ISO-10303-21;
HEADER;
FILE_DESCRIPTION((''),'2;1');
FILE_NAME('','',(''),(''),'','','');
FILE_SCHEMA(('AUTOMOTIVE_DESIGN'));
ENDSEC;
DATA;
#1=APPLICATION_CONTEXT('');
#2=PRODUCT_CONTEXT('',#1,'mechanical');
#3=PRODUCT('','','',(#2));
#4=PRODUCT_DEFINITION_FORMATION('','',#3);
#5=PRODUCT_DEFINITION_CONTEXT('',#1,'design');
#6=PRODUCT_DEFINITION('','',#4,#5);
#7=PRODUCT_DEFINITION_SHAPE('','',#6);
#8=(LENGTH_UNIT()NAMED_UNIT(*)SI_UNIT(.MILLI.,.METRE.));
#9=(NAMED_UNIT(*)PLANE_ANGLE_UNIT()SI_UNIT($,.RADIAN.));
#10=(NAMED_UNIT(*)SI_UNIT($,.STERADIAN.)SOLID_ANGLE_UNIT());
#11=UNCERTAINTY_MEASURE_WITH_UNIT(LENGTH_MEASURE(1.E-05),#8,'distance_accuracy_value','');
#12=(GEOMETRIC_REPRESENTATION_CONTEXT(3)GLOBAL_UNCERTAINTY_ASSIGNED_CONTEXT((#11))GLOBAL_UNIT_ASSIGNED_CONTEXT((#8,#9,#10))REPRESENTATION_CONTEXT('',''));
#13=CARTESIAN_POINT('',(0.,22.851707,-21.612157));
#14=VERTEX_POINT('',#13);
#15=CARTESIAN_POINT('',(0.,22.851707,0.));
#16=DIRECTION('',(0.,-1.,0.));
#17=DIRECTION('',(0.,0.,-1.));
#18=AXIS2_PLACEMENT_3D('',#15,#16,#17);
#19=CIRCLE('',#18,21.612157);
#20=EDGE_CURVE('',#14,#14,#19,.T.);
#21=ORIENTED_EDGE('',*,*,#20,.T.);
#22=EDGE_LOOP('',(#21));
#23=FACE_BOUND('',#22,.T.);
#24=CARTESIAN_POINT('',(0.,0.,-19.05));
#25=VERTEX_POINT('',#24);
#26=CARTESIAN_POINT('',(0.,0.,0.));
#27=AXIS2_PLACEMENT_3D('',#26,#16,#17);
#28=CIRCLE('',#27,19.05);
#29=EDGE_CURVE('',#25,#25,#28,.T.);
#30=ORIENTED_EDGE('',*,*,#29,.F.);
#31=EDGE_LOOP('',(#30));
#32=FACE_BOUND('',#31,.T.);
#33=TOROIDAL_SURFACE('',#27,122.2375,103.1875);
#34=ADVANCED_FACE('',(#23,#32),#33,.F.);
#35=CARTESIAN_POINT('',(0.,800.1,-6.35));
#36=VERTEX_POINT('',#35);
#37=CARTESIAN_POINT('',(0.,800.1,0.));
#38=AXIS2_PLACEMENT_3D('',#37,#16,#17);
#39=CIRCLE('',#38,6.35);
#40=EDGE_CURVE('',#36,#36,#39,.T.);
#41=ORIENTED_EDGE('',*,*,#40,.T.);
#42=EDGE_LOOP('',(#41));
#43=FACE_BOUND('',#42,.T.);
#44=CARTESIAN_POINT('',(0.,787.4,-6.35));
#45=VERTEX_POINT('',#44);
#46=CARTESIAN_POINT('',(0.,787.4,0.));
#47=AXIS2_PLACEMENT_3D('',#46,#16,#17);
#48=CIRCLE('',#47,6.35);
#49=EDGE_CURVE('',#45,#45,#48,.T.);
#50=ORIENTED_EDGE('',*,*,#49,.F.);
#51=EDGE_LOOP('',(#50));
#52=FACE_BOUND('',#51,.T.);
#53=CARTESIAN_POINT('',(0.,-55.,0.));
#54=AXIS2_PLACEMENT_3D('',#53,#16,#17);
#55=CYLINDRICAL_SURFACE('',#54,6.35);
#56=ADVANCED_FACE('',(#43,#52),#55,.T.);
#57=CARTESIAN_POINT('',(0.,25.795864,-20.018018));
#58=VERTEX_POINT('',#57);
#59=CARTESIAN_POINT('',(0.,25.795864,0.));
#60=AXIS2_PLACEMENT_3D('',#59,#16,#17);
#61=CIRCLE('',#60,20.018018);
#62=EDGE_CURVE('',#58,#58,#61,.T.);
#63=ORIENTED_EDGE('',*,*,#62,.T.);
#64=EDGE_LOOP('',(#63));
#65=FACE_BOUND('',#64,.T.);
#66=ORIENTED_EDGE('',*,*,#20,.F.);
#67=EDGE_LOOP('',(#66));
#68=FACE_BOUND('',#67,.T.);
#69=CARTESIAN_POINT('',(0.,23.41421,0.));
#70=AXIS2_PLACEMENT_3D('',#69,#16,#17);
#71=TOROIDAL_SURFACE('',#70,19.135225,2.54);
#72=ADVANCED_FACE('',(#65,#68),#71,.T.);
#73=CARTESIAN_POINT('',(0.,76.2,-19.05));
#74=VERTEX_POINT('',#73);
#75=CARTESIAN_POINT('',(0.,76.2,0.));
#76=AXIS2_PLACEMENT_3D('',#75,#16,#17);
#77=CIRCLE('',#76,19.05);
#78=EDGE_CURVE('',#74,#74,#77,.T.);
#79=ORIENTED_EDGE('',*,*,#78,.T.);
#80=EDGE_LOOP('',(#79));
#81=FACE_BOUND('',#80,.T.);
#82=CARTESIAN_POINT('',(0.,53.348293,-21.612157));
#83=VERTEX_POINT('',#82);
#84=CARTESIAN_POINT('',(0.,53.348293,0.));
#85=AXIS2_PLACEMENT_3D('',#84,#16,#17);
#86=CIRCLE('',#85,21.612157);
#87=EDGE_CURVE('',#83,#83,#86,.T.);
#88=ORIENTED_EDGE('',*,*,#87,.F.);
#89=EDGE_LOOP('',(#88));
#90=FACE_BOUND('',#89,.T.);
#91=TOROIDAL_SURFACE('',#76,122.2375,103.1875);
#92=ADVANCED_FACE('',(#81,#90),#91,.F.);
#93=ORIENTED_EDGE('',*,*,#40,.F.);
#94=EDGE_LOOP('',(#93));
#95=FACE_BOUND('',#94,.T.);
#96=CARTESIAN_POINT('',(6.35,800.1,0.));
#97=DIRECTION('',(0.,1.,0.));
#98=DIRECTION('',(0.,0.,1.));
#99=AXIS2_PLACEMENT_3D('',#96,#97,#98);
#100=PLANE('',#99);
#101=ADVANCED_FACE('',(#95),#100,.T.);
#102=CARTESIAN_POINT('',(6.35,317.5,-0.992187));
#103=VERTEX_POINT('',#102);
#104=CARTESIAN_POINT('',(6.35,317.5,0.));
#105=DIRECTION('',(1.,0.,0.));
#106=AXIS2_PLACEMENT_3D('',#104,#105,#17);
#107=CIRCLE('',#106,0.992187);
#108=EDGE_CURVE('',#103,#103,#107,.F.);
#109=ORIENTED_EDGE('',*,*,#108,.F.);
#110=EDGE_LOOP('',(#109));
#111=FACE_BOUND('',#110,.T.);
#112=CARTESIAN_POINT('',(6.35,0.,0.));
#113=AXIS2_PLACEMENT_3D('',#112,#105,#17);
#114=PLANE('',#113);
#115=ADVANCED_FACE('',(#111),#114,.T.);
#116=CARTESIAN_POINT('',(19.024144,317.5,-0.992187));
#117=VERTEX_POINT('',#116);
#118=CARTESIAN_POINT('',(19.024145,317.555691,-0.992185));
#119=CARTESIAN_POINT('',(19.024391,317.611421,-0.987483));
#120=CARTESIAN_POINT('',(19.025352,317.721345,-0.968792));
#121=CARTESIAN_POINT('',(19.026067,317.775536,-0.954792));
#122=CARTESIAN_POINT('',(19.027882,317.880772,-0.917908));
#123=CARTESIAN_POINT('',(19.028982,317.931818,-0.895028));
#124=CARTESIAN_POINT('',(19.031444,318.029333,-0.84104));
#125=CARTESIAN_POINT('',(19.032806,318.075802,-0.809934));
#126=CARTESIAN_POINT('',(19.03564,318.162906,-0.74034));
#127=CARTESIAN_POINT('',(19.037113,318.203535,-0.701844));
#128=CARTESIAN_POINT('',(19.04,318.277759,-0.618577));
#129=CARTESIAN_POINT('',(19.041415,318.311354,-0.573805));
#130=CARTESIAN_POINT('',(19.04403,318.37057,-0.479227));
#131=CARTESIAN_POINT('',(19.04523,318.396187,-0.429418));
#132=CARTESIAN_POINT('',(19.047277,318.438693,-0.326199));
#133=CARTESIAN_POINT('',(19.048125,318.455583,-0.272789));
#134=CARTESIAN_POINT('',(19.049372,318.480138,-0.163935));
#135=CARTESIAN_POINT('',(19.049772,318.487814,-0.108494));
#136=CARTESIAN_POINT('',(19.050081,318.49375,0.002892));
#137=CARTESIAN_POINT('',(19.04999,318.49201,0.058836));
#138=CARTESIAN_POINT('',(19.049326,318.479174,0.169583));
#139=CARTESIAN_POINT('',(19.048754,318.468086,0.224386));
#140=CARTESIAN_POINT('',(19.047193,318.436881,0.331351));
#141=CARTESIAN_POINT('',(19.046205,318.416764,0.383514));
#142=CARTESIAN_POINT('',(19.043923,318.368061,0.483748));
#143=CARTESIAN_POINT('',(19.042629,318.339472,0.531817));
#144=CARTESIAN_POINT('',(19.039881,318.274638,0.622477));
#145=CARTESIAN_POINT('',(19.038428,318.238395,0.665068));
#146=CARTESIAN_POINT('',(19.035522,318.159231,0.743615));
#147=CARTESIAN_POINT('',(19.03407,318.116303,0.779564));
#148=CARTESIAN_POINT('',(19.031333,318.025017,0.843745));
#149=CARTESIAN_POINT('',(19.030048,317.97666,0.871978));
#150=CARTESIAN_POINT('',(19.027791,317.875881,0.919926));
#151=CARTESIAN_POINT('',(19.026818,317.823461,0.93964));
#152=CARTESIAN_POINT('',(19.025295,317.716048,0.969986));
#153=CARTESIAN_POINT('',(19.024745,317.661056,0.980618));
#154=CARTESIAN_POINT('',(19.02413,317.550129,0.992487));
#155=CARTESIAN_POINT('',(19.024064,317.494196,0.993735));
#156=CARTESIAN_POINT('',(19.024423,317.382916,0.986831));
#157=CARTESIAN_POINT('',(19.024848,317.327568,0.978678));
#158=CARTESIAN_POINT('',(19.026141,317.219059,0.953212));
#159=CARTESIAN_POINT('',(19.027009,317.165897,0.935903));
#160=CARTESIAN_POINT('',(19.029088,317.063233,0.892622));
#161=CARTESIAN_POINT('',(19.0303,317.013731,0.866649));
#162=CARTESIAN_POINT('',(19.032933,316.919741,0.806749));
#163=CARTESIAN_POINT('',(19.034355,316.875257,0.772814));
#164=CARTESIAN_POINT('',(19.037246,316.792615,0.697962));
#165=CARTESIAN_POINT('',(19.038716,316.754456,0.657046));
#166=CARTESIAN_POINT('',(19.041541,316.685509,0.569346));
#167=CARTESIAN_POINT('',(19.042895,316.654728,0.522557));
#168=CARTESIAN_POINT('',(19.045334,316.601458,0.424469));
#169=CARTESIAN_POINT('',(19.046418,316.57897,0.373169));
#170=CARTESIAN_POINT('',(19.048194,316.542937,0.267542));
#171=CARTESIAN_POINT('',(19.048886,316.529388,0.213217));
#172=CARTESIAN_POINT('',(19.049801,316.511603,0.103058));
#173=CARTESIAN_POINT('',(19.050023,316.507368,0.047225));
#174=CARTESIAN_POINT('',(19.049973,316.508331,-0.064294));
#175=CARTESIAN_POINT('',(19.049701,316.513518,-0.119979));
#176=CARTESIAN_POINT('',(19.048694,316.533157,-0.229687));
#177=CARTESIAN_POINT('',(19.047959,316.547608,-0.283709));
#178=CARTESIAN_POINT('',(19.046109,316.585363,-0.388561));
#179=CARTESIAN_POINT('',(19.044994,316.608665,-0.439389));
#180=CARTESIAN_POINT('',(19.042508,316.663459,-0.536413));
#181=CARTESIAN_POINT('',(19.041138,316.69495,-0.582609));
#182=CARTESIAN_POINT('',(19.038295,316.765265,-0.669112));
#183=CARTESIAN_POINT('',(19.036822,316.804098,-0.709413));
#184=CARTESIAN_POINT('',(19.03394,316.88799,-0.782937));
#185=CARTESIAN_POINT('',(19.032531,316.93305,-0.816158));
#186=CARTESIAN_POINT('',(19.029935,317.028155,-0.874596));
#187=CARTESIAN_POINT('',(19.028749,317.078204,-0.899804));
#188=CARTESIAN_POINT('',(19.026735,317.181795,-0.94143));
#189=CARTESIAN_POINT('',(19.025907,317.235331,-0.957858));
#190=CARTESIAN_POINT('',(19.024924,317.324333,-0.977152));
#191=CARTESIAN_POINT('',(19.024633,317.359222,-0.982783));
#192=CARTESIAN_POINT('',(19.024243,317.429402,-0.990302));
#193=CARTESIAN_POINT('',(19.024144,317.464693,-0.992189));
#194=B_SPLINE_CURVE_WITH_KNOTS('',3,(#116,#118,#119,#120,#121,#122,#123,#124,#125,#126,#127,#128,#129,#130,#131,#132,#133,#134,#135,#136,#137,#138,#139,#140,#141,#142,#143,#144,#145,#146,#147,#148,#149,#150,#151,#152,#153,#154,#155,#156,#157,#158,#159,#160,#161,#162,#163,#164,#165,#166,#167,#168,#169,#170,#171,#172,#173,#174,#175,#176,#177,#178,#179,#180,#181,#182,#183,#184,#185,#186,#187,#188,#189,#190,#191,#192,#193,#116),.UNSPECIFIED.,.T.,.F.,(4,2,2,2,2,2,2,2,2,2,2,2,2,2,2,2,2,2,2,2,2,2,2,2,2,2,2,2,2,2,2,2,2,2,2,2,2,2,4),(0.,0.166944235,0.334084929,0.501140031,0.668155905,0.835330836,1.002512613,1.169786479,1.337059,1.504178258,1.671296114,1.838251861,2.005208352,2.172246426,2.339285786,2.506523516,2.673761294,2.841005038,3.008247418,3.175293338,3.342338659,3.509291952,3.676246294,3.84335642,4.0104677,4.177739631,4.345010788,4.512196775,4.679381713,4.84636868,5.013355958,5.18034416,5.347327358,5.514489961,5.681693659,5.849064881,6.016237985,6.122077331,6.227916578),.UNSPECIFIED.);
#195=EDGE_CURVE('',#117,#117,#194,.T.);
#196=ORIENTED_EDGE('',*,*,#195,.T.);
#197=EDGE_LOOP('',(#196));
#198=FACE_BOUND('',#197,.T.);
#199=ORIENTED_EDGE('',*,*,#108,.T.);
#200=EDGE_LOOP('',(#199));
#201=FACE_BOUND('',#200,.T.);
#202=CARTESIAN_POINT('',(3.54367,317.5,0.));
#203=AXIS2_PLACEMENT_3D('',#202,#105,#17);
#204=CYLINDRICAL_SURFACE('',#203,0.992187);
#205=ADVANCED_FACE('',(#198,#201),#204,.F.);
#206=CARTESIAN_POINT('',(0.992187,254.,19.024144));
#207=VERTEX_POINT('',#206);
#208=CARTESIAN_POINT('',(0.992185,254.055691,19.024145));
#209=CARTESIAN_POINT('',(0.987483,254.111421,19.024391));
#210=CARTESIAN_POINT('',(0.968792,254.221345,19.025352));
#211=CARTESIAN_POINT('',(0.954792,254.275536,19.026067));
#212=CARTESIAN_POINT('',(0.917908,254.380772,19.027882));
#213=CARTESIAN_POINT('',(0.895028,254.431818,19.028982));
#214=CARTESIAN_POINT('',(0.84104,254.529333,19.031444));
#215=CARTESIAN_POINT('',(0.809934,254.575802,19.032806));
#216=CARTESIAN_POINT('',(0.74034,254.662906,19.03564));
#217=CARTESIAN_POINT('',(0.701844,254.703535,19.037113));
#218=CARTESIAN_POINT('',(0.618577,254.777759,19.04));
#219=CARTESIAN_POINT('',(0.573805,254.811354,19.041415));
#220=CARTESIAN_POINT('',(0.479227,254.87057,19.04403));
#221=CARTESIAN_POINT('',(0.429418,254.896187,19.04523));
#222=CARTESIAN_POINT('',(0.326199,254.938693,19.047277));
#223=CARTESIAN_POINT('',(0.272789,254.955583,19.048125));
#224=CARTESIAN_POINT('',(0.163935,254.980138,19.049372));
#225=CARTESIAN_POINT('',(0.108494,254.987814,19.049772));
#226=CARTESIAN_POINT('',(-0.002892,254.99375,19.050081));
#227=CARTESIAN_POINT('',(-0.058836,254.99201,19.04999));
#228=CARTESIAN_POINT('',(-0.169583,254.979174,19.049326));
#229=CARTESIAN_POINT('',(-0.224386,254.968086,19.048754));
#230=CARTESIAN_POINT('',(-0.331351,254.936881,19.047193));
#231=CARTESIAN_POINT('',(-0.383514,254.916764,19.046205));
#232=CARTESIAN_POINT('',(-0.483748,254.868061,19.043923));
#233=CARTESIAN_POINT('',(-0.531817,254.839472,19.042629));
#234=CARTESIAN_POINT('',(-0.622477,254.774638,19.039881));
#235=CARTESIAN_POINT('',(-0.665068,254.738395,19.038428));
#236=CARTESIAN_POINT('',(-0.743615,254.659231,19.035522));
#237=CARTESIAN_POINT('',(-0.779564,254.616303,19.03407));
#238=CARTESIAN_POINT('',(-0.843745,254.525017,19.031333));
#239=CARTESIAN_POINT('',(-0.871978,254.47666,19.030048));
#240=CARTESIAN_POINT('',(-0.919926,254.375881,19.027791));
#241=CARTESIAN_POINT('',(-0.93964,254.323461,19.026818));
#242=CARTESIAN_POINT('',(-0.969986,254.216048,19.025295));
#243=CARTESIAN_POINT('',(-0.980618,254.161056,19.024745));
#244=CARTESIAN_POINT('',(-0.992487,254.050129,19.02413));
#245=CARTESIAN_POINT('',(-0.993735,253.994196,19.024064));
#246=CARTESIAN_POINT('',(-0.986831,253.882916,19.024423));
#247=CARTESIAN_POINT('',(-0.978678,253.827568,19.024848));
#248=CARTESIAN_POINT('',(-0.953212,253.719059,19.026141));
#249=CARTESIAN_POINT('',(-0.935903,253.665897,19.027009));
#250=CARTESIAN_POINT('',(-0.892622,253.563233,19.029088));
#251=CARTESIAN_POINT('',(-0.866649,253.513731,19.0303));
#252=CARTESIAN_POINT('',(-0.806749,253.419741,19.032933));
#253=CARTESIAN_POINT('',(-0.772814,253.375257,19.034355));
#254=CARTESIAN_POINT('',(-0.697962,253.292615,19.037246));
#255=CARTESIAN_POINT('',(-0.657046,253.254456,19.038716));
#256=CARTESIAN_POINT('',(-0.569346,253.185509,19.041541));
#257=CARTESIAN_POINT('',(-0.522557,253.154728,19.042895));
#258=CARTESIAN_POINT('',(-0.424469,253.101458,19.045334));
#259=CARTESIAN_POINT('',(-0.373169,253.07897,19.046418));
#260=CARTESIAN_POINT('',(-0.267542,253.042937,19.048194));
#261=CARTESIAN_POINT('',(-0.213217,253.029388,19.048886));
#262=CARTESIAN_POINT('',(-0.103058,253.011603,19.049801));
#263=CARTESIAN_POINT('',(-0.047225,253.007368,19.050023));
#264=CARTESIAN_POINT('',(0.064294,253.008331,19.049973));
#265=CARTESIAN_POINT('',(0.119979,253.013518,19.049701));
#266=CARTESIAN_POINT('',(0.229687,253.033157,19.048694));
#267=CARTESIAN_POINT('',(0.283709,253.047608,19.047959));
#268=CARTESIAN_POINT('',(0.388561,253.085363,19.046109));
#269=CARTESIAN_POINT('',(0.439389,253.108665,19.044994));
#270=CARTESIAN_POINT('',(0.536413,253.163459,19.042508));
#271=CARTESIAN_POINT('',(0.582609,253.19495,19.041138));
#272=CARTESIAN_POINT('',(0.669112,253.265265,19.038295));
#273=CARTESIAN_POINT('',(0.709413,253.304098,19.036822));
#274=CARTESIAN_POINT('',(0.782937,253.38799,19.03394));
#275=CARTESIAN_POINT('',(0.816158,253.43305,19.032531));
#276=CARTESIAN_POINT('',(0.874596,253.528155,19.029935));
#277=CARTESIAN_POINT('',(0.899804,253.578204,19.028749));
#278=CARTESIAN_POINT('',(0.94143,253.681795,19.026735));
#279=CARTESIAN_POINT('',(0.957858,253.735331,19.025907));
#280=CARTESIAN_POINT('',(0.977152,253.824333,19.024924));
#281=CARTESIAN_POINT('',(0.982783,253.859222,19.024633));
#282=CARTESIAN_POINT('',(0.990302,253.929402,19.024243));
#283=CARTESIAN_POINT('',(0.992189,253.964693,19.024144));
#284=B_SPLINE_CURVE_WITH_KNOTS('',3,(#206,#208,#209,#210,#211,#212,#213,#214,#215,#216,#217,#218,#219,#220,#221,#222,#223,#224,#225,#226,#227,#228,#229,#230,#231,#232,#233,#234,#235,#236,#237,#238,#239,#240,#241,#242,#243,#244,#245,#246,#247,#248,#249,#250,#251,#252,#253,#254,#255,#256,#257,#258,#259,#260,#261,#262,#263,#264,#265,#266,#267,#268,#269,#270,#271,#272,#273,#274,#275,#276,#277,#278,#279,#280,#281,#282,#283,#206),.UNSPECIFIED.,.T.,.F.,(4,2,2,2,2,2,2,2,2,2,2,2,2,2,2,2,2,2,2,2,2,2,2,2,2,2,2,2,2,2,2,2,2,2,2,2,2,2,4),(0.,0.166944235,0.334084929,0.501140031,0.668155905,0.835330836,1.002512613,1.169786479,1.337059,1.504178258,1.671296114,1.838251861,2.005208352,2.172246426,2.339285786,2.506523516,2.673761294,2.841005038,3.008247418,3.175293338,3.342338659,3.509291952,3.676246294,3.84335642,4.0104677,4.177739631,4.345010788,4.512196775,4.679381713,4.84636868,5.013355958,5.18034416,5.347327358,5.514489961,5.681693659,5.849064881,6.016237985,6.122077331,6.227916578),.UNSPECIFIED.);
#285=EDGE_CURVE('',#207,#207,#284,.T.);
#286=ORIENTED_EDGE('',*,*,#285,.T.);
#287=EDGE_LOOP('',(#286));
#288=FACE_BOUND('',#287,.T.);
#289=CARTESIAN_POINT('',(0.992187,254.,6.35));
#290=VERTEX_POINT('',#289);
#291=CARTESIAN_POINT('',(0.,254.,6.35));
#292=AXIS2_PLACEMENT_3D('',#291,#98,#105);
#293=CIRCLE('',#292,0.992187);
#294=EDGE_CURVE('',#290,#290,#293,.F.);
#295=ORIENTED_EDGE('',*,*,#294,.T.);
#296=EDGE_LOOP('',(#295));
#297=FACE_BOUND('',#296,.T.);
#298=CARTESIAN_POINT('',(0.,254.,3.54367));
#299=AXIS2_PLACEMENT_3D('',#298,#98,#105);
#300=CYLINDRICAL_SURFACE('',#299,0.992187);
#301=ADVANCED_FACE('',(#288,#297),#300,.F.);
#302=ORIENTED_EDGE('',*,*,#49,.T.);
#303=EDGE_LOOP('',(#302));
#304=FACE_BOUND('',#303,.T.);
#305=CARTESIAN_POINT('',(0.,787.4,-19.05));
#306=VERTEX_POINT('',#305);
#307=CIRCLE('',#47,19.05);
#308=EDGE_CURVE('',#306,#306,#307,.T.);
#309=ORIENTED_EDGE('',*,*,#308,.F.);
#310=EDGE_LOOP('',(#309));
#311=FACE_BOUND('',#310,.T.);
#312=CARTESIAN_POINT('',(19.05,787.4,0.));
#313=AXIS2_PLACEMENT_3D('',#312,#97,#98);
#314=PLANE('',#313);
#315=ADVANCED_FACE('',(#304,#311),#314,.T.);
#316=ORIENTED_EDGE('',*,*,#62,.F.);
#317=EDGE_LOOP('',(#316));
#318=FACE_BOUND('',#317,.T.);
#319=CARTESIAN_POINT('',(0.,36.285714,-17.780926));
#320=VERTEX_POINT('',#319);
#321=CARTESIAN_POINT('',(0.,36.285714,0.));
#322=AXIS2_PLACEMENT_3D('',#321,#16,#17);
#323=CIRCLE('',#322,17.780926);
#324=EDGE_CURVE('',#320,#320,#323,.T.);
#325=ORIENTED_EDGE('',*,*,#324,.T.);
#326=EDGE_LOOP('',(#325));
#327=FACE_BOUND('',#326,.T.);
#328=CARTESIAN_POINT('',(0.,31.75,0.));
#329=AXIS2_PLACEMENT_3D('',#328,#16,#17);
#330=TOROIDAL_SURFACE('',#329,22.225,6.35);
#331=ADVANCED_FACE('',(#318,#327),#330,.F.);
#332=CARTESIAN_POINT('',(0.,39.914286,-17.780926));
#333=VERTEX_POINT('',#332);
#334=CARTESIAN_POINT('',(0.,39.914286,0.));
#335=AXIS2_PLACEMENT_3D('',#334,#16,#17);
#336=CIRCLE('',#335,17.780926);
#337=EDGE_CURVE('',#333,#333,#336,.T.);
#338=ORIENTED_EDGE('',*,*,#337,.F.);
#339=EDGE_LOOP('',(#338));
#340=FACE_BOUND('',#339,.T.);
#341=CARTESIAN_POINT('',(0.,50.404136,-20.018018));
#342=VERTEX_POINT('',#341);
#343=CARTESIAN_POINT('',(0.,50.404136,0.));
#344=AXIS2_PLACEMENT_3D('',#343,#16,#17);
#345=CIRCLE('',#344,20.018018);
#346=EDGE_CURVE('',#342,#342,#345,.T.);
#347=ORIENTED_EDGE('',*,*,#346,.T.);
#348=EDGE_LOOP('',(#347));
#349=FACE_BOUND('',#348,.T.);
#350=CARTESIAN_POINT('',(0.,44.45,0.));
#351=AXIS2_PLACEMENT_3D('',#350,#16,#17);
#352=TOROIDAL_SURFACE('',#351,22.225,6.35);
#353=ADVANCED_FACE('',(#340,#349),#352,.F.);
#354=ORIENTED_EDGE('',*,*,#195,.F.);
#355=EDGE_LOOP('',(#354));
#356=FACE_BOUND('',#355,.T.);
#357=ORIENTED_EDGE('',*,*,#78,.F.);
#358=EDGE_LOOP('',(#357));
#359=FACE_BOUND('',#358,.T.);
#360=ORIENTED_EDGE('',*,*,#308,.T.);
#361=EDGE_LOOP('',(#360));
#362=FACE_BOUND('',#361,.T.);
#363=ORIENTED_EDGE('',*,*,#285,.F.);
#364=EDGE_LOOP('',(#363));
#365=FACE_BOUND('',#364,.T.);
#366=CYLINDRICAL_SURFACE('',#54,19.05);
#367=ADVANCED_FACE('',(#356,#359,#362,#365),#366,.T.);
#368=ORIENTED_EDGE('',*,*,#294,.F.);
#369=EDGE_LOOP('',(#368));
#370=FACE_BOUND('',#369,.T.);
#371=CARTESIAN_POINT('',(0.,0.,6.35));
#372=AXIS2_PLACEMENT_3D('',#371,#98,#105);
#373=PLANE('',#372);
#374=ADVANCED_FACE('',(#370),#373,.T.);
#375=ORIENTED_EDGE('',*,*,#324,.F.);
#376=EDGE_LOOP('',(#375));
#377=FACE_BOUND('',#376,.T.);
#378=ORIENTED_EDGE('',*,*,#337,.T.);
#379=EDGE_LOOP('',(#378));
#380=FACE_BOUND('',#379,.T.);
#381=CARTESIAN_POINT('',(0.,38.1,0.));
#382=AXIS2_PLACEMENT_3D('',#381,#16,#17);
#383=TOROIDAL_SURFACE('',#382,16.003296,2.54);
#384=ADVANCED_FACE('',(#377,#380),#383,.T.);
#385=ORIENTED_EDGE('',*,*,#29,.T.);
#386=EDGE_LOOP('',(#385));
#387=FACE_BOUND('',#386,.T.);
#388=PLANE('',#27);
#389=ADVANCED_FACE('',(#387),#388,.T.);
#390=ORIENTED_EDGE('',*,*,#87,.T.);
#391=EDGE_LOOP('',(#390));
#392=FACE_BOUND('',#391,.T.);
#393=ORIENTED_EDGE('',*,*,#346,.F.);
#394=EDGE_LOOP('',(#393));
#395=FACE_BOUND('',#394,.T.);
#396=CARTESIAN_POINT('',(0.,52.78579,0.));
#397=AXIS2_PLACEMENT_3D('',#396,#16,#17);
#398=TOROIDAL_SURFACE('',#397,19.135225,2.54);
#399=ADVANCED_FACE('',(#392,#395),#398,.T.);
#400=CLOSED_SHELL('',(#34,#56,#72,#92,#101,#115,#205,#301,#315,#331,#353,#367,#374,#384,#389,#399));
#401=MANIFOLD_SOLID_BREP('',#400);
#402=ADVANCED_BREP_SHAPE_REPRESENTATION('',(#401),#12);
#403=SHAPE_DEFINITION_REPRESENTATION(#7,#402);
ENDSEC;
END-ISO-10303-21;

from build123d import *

# Parameters (mm, degrees)
CUT_EXTRUDE1_START = -12.7
SKETCH15_R         = 0.9921875
CUT_EXTRUDE1_DEPTH = 12.7
CUT_EXTRUDE2_START = -12.7
SKETCH16_R         = 0.9921875
CUT_EXTRUDE2_DEPTH = 12.7


with BuildPart() as part:
    # revolve sketch → Revolve1 (revolve)
    with BuildSketch(Plane.XY, mode=Mode.PRIVATE) as revolve1_sk:
        with BuildLine():
            Line((0, 0), (19.05, 0))
            ThreePointArc((19.05, 0), (19.692539758, 11.497446902), (21.612156952, 22.851706562))
            ThreePointArc((21.612156952, 22.851706562), (21.368821871, 24.623609523), (20.018018165, 25.795864363))
            ThreePointArc((20.018018165, 25.795864363), (17.012666806, 28.123144244), (15.875, 31.75))
            ThreePointArc((15.875, 31.75), (16.370840305, 34.209941923), (17.780925752, 36.285714286))
            ThreePointArc((17.780925752, 36.285714286), (18.543296053, 38.1), (17.780925752, 39.914285714))
            ThreePointArc((17.780925752, 39.914285714), (16.370840305, 41.990058077), (15.875, 44.45))
            ThreePointArc((15.875, 44.45), (17.012666806, 48.076855756), (20.018018165, 50.404135637))
            ThreePointArc((20.018018165, 50.404135637), (21.368821871, 51.576390477), (21.612156952, 53.348293438))
            ThreePointArc((21.612156952, 53.348293438), (19.692539758, 64.702553098), (19.05, 76.2))
            Line((19.05, 76.2), (19.05, 787.4))
            Line((19.05, 787.4), (6.35, 787.4))
            Line((6.35, 787.4), (6.35, 800.1))
            Line((6.35, 800.1), (0, 800.1))
            Line((0, 800.1), (0, 0))
        make_face()
    revolve(revolve1_sk.sketch.rotate(Axis((0, -55, 0), (0, 1, 0)), 90), axis=Axis((0, -55, 0), (0, 1, 0)))

    # Sketch15 → Cut-Extrude1 (cut)
    with BuildSketch(Plane.XY.offset(19.05).offset(CUT_EXTRUDE1_START)):
        with Locations((0, 254)):
            Circle(SKETCH15_R)
    extrude(amount=CUT_EXTRUDE1_DEPTH, mode=Mode.SUBTRACT)

    # Sketch16 → Cut-Extrude2 (cut)
    with BuildSketch(Plane(origin=(19.05, 0, 0), x_dir=(0, 0, -1), z_dir=(1, 0, 0)).offset(CUT_EXTRUDE2_START)):
        with Locations((0, 317.5)):
            Circle(SKETCH16_R)
    extrude(amount=CUT_EXTRUDE2_DEPTH, mode=Mode.SUBTRACT)


solid = part.part
